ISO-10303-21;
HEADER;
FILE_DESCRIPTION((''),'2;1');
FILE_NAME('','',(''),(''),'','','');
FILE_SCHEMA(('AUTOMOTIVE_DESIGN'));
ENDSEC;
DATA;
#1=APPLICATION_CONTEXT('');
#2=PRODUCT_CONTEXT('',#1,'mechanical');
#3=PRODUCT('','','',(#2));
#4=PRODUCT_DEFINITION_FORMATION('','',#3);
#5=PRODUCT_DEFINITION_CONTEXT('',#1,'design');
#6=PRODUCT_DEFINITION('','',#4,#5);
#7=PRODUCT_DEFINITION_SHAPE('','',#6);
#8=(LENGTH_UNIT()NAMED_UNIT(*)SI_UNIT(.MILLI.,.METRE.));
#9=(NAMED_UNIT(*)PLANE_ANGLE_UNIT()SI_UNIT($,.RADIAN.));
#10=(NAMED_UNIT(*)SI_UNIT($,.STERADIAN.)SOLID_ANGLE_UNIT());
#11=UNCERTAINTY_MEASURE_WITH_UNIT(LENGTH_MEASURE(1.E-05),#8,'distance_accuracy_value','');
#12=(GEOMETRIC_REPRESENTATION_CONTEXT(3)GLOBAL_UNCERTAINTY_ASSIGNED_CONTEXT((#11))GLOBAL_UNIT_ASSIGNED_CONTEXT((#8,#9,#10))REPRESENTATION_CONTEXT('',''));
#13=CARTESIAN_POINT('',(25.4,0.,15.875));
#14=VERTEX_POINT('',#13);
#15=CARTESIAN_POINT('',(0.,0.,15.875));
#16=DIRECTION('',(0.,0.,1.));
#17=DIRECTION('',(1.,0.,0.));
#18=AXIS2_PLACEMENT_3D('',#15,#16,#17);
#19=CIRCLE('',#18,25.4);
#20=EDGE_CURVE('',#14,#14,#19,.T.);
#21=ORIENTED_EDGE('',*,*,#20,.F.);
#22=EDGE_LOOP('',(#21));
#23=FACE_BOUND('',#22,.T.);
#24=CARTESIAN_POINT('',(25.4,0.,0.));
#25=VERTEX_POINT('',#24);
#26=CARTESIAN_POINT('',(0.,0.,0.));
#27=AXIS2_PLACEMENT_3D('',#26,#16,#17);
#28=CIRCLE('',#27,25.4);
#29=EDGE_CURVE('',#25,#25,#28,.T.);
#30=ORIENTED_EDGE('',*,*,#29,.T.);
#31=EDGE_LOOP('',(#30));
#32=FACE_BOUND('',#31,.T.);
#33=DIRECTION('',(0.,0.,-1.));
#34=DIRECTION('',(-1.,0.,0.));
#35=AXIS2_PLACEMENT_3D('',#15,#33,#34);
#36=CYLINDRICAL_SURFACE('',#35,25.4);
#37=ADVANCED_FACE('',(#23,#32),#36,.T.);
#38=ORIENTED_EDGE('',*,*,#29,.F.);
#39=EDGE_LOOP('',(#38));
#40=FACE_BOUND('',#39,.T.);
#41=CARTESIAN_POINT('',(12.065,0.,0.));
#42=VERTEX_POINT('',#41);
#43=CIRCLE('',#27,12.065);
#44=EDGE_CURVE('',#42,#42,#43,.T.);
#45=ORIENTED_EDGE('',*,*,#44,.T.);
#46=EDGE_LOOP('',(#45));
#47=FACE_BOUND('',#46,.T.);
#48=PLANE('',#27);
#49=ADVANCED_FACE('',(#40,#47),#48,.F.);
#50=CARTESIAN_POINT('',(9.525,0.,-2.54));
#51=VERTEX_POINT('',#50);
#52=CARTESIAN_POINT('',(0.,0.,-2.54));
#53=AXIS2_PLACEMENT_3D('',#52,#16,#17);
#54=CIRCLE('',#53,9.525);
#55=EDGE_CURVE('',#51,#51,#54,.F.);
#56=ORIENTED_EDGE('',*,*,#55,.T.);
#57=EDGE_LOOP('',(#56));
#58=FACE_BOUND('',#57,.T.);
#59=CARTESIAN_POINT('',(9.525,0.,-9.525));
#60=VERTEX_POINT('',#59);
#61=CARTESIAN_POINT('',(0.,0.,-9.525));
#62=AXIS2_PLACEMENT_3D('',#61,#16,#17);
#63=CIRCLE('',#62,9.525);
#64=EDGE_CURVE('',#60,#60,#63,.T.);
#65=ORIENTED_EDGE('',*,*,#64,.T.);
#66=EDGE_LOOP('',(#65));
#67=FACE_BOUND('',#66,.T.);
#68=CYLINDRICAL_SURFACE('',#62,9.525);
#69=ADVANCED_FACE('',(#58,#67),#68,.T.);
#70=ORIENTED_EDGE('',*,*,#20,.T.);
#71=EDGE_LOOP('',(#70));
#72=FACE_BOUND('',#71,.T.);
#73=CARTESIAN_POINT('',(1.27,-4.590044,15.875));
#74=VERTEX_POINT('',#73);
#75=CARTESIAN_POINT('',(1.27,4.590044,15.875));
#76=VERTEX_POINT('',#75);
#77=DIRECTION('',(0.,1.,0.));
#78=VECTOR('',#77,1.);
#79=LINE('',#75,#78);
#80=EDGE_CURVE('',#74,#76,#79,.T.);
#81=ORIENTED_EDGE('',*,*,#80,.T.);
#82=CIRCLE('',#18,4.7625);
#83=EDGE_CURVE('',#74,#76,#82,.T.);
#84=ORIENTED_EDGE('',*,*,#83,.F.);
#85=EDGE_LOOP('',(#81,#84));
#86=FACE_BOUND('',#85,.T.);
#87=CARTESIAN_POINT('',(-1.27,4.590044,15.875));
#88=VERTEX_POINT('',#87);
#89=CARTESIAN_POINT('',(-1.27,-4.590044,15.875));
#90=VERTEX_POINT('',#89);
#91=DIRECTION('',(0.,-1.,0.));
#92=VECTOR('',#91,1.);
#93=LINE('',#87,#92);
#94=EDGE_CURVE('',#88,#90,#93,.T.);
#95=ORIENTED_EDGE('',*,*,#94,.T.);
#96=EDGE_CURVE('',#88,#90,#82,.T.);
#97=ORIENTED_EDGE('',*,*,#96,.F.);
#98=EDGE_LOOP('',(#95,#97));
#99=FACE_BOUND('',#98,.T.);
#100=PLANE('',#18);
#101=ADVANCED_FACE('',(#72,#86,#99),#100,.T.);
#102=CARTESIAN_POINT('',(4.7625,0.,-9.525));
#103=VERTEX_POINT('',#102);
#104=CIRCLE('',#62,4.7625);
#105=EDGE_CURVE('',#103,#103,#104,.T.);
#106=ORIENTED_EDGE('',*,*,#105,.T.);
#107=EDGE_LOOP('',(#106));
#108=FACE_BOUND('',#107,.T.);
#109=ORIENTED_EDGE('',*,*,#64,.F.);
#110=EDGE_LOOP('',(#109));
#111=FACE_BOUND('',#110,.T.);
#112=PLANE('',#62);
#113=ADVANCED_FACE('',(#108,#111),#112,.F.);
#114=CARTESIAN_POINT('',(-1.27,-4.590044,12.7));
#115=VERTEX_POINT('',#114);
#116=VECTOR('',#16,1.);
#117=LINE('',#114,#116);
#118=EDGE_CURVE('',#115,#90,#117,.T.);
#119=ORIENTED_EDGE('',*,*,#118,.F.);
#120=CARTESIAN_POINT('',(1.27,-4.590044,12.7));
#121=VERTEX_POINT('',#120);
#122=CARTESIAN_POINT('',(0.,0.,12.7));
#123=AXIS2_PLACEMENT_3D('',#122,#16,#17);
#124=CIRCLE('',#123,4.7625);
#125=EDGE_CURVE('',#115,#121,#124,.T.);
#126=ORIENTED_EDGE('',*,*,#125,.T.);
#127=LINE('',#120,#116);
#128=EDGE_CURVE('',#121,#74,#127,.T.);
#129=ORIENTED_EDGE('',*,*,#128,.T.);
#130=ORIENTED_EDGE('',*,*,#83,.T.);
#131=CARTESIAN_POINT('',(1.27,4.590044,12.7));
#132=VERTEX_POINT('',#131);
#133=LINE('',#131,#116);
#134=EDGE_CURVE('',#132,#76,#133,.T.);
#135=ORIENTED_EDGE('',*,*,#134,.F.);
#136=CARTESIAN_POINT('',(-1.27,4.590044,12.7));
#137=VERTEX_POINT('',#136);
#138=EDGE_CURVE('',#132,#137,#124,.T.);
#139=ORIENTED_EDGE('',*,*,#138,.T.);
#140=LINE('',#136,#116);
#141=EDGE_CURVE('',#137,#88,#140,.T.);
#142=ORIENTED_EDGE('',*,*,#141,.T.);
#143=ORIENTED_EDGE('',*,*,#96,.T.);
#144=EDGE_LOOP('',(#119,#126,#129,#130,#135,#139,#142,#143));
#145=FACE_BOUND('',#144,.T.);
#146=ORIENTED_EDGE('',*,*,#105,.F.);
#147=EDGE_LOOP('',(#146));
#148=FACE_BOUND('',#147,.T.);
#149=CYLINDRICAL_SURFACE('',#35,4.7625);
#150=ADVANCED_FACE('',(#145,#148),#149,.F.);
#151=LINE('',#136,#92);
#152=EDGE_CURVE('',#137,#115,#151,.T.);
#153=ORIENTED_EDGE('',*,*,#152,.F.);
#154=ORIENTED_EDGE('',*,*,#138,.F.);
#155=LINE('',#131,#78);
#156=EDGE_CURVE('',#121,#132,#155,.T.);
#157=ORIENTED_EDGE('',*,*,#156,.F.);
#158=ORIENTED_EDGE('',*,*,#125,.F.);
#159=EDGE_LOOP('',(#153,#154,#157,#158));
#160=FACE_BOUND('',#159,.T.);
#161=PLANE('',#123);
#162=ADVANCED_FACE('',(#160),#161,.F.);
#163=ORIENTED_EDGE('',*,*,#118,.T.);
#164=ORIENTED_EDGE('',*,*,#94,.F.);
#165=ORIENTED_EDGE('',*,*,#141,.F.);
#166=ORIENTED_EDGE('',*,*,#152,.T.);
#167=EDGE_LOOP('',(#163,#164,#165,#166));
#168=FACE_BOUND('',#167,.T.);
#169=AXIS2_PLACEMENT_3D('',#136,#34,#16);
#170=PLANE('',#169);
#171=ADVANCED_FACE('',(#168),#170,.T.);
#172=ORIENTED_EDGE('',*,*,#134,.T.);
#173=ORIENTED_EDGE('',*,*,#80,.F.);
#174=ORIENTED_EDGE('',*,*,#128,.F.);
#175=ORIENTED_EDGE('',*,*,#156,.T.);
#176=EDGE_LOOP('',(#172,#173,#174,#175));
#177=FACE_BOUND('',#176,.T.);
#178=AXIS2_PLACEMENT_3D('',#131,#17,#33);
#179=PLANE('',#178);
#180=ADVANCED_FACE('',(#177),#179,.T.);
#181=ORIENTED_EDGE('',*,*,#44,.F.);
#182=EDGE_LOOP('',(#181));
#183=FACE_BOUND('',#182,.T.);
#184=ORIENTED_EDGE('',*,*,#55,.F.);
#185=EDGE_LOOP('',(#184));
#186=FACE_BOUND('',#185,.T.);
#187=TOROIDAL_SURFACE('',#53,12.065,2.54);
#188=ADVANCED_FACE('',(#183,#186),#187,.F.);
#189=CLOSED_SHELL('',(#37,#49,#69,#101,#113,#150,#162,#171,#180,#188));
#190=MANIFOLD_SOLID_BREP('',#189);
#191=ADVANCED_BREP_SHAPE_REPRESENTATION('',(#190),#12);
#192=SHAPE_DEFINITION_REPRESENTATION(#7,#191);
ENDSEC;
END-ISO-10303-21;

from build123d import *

# Parameters (mm, degrees)
SKETCH1_R           = 25.4
SKETCH1_R_2         = 4.7625
BOSS_EXTRUDE1_DEPTH = 15.875
BOSS_EXTRUDE2_START = -9.525
SKETCH1_3_R         = 9.525
SKETCH1_3_R_2       = 4.7625
BOSS_EXTRUDE2_DEPTH = 9.525
FILLET1_R           = 2.54
BOSS_EXTRUDE3_START = -3.175
BOSS_EXTRUDE3_DEPTH = 3.175


with BuildPart() as part:
    # Sketch1 → Boss-Extrude1 (new body)
    with BuildSketch(Plane.XY):
        Circle(SKETCH1_R)
        Circle(SKETCH1_R_2, mode=Mode.SUBTRACT)
    extrude(amount=BOSS_EXTRUDE1_DEPTH)

    # Sketch1<3> → Boss-Extrude2 (add)
    with BuildSketch(Plane.XY.offset(BOSS_EXTRUDE2_START)):
        Circle(SKETCH1_3_R)
        Circle(SKETCH1_3_R_2, mode=Mode.SUBTRACT)
    extrude(amount=BOSS_EXTRUDE2_DEPTH)

    # Fillet1
    fillet1_edges = [part.edges().sort_by_distance(p)[0] for p in [
        (-9.525, 0, 0),
    ]]
    fillet(fillet1_edges, radius=FILLET1_R)

    # Sketch2 → Boss-Extrude3 (add)
    with BuildSketch(Plane.XY.offset(15.875).offset(BOSS_EXTRUDE3_START)):
        with BuildLine():
            Line((-1.27, 4.590044254), (-1.27, -4.590044254))
            ThreePointArc((-1.27, -4.590044254), (0, -4.7625), (1.27, -4.590044254))
            Line((1.27, -4.590044254), (1.27, 4.590044254))
            ThreePointArc((1.27, 4.590044254), (0, 4.7625), (-1.27, 4.590044254))
        make_face()
    extrude(amount=BOSS_EXTRUDE3_DEPTH)


solid = part.part
